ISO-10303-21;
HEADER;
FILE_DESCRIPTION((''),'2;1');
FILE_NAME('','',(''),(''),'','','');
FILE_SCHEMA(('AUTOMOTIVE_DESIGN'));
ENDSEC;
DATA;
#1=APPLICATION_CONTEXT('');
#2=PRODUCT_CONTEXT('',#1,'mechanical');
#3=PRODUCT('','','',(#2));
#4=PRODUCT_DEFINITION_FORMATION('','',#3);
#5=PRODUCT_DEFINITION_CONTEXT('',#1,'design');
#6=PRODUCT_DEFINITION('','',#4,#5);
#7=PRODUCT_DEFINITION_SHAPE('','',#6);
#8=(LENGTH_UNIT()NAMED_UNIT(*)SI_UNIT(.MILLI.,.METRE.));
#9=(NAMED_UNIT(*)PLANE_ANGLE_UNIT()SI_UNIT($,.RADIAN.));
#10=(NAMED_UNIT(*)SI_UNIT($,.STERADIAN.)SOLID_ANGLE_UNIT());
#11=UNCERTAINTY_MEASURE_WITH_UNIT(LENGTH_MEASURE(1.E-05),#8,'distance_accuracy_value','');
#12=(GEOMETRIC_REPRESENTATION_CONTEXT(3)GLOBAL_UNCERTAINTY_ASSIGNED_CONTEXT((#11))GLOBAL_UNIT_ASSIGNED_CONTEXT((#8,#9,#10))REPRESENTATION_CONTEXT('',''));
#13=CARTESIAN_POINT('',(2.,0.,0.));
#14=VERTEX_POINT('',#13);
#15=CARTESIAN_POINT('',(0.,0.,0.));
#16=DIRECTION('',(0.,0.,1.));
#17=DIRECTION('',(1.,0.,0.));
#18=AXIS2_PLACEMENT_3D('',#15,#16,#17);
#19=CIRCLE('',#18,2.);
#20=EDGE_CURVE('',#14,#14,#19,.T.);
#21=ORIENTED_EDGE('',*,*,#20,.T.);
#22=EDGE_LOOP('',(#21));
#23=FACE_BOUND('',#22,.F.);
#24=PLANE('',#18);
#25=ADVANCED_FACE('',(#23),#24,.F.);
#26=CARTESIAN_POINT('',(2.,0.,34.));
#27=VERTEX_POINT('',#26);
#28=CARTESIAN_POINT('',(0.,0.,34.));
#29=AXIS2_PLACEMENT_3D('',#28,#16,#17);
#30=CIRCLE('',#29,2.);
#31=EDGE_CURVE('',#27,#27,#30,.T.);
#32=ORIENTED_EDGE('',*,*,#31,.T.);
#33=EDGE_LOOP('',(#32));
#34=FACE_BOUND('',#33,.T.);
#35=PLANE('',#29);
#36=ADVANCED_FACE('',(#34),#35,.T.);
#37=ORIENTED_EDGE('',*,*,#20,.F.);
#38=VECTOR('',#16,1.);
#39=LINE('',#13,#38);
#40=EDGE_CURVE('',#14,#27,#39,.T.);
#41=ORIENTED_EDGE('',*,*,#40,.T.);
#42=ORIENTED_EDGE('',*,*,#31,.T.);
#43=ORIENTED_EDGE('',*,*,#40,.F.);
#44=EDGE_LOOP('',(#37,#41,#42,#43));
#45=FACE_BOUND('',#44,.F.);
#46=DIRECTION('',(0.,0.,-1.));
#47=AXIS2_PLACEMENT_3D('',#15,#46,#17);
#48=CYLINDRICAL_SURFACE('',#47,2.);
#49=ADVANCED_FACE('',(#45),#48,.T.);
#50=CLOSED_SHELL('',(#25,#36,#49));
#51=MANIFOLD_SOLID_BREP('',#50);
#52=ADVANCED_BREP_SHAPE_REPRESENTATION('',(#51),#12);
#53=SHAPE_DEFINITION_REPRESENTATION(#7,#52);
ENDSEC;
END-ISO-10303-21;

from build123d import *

# Parameters (mm, degrees)
ESQUISSE1_R        = 2
BOSS_EXTRU_2_DEPTH = 34


with BuildPart() as part:
    # Esquisse1 → Boss.-Extru.2 (new body)
    with BuildSketch(Plane.XY):
        Circle(ESQUISSE1_R)
    extrude(amount=BOSS_EXTRU_2_DEPTH)


solid = part.part
